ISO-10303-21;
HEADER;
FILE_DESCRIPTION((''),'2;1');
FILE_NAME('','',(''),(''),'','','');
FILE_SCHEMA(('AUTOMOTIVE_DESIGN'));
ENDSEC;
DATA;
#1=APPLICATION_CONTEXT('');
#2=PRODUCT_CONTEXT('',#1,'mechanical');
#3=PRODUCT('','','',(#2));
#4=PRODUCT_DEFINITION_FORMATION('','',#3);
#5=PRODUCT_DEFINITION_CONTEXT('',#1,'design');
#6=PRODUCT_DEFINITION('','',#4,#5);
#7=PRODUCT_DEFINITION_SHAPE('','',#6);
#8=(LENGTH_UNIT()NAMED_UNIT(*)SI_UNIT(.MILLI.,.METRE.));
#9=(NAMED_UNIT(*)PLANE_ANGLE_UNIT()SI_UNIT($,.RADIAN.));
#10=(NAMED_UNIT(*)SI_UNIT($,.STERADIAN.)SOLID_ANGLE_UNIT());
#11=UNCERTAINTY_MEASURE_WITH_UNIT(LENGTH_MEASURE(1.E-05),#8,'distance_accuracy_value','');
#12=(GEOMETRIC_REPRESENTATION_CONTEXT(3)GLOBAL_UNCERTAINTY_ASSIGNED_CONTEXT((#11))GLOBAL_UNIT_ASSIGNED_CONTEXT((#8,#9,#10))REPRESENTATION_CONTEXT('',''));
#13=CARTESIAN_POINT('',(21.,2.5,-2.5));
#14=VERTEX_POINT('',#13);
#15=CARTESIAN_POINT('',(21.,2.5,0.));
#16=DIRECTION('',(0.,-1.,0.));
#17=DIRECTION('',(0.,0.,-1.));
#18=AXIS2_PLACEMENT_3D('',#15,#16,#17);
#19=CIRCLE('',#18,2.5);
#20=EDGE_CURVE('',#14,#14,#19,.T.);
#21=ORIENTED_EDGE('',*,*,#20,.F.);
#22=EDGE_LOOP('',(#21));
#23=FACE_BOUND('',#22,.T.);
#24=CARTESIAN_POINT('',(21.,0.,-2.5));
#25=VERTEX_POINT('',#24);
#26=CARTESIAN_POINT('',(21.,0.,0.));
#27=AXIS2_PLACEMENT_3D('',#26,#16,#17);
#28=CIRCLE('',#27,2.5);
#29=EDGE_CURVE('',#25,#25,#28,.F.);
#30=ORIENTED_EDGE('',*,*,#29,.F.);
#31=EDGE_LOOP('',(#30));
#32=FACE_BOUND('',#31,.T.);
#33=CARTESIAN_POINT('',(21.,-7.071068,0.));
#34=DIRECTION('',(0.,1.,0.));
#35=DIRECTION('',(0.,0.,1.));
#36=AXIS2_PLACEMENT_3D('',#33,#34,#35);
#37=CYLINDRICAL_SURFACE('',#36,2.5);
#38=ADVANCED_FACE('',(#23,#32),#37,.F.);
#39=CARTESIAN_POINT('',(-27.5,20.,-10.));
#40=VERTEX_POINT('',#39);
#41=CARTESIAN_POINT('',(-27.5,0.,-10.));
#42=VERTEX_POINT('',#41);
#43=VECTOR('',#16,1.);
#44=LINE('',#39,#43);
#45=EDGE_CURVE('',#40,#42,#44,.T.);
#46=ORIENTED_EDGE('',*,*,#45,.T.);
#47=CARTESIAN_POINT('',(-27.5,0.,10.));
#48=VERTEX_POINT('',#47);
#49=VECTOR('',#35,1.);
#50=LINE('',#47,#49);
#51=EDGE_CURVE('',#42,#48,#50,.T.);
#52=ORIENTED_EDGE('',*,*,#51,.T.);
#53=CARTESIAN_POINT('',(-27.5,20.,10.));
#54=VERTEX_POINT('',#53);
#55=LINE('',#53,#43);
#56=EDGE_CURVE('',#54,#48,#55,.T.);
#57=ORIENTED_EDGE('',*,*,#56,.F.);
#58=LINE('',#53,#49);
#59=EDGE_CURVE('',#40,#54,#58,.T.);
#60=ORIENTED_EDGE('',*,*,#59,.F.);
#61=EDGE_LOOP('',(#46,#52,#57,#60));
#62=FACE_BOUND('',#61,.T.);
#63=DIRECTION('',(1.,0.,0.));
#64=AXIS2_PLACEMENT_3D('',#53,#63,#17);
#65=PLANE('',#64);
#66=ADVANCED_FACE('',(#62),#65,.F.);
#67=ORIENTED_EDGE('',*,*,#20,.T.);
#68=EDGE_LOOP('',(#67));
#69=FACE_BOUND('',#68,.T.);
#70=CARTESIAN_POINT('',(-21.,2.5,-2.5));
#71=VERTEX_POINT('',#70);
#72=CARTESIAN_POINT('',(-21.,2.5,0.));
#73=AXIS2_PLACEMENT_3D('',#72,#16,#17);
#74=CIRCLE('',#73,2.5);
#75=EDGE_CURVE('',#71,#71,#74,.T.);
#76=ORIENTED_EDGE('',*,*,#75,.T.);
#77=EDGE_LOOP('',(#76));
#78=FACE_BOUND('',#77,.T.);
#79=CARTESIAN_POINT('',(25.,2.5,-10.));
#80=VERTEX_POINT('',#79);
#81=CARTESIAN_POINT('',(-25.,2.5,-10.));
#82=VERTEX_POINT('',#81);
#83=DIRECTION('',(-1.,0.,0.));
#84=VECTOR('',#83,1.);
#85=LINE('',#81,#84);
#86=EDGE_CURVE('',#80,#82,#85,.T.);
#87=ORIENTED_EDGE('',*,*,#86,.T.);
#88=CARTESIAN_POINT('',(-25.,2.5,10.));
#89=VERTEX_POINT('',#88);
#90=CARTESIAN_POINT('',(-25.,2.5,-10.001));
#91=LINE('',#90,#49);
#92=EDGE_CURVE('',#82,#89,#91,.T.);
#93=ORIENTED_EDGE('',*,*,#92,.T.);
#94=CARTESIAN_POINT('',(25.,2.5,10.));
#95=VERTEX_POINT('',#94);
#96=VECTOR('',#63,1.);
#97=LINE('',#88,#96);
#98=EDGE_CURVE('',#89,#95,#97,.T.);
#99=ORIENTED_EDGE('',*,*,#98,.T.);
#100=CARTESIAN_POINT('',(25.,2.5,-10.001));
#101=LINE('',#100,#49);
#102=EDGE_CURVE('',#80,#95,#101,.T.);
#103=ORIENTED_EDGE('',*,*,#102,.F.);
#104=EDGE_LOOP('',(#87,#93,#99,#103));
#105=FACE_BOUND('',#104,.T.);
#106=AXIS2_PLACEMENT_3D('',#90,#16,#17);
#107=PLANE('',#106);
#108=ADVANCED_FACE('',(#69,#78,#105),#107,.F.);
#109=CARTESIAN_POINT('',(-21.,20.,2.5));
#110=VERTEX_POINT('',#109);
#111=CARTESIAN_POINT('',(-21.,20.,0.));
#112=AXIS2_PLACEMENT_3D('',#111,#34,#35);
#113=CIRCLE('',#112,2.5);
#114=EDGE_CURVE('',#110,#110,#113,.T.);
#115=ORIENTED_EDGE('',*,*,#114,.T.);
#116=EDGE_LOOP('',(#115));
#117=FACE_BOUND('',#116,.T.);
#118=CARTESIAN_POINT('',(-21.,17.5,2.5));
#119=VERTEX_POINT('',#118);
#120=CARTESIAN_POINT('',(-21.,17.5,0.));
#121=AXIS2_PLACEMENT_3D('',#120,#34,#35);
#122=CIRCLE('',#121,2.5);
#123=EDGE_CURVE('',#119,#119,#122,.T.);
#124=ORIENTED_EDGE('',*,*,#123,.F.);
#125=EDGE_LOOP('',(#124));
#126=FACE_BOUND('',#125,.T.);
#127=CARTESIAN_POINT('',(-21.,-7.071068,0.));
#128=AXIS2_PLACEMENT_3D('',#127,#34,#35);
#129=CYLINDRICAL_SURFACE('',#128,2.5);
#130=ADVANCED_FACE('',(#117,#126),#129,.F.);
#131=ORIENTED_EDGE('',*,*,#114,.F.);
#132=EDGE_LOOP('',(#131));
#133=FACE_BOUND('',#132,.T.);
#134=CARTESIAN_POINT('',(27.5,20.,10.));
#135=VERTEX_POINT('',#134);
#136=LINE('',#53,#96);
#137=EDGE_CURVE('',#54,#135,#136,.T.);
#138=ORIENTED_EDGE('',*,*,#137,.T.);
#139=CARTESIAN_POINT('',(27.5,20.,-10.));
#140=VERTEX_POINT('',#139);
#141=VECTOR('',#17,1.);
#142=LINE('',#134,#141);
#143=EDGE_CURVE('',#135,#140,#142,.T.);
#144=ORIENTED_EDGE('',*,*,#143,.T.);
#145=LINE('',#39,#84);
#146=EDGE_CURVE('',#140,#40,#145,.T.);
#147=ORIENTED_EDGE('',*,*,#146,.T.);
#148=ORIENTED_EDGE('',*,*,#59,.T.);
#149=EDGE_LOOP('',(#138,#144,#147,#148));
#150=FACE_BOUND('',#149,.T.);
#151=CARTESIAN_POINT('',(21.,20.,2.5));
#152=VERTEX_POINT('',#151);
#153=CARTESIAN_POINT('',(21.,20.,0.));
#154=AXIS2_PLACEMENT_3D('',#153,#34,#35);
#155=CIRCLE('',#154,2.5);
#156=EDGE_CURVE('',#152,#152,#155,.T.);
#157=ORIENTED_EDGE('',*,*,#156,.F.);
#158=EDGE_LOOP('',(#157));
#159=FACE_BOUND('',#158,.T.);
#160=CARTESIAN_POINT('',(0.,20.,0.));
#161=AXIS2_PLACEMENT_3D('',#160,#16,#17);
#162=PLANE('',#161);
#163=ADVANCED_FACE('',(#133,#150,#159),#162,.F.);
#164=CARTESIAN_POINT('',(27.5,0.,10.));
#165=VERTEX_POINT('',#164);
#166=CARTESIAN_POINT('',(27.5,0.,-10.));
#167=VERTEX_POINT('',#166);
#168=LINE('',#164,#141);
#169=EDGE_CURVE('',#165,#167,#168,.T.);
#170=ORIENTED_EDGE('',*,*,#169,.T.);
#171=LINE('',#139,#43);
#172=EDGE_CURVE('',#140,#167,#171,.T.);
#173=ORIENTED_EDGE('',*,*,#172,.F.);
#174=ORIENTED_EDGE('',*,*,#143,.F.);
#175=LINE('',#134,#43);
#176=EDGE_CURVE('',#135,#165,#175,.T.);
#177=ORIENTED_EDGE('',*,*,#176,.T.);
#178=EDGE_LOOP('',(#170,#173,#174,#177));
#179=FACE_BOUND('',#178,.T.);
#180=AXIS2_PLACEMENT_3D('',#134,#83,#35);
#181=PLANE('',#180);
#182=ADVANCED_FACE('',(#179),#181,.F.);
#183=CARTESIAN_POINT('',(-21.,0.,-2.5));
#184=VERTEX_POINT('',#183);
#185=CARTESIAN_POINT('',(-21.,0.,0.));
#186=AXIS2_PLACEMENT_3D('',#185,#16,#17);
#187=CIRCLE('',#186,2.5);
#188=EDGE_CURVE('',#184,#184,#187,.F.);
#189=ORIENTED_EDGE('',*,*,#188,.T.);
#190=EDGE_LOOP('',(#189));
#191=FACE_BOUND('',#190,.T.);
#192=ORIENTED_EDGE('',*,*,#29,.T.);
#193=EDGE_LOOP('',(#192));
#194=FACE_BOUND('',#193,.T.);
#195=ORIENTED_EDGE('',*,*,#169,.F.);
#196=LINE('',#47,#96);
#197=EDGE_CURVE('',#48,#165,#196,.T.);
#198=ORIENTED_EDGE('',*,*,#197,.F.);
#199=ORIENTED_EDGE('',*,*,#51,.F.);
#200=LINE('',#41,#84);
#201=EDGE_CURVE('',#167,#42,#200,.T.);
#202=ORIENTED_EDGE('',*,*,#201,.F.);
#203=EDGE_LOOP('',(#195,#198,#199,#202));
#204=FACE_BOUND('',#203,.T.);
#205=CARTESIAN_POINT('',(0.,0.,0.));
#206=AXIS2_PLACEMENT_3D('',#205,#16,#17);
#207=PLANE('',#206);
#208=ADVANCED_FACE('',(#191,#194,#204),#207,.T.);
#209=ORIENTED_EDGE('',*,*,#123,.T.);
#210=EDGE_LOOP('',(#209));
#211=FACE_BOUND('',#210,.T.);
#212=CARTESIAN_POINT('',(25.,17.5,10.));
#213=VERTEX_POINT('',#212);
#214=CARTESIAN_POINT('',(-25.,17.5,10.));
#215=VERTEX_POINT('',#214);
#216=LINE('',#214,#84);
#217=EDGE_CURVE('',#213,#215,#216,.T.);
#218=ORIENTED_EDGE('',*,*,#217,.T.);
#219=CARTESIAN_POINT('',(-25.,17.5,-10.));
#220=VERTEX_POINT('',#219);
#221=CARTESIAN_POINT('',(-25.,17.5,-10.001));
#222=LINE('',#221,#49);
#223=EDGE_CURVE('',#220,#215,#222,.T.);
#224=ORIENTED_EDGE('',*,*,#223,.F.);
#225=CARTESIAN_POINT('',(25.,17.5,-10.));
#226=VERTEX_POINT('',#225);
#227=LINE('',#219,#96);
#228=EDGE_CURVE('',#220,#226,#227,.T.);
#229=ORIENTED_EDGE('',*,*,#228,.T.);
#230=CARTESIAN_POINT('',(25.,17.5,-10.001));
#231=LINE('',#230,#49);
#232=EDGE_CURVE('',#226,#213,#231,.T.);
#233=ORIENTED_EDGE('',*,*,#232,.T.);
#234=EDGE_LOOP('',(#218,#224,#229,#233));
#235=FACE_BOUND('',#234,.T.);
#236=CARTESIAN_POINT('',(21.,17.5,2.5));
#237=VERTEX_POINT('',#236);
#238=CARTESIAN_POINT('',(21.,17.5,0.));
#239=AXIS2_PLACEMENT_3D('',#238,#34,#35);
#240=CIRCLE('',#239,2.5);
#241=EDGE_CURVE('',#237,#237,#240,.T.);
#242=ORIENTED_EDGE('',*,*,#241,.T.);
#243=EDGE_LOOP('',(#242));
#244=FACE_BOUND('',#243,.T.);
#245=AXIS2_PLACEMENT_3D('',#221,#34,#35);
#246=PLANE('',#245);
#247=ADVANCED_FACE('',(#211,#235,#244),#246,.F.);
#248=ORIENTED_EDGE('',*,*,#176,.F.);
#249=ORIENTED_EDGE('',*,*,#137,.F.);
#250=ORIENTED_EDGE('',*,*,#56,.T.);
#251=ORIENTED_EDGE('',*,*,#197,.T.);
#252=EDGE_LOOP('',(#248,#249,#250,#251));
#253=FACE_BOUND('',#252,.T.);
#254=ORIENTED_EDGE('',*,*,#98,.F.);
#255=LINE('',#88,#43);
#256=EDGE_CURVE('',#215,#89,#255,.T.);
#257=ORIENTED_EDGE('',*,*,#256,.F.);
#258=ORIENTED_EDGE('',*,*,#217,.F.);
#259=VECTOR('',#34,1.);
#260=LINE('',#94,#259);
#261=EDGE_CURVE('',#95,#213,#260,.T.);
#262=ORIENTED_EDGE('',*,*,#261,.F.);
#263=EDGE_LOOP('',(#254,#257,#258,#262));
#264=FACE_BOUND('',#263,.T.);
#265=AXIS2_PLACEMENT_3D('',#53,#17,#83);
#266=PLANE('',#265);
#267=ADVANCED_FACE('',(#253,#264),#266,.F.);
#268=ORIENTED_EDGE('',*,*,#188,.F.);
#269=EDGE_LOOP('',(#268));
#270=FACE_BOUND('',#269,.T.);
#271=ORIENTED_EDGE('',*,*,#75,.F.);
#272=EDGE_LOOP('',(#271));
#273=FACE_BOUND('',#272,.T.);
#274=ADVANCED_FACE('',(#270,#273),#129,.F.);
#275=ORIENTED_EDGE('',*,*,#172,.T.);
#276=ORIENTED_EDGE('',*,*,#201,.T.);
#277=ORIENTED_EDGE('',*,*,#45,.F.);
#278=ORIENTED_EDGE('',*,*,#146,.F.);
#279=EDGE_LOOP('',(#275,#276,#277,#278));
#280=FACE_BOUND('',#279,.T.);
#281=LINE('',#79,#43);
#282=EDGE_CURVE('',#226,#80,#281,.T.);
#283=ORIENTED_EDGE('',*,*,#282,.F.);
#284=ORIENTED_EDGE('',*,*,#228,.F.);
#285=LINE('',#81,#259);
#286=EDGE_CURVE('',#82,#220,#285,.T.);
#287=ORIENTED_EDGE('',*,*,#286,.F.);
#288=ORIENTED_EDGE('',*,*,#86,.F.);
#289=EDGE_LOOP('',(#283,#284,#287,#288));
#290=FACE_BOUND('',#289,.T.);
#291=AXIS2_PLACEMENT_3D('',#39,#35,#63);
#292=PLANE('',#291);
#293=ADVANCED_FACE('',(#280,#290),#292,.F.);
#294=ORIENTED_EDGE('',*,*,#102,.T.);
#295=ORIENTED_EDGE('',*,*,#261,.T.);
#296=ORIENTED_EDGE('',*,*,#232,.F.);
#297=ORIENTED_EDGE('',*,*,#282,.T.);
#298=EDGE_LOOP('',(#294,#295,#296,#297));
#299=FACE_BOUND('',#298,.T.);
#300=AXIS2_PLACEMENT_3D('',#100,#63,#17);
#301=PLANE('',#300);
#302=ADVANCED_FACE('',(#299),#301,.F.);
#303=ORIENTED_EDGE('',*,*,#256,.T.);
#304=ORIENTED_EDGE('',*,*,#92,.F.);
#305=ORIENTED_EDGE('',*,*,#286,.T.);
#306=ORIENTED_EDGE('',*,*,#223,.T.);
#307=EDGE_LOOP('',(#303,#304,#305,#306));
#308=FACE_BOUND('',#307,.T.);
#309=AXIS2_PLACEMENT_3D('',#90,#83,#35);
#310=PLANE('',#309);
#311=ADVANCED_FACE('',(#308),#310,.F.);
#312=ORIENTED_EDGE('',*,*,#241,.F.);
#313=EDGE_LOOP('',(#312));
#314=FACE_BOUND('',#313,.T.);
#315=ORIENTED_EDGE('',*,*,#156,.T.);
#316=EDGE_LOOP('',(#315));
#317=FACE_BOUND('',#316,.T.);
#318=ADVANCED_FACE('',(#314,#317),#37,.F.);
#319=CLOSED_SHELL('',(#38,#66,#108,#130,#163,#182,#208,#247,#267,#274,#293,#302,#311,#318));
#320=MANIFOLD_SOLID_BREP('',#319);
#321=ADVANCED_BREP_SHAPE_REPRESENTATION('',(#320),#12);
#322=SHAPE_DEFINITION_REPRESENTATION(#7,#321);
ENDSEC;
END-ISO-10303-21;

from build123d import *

# Parameters (mm, degrees)
SKETCH_1_W          = 55
SKETCH_1_H          = 20
EXTRUDE_1_DEPTH     = 20
CUT_EXTRUDE_1_REACH = 41.449
SKETCH_2_W          = 50
SKETCH_2_H          = 15
CUT_EXTRUDE_2_REACH = 37.444
SKETCH_3_R          = 2.5


with BuildPart() as part:
    # 草图1 → 凸台-拉伸1 (new body)
    with BuildSketch(Plane(origin=(0, 0, 0), x_dir=(1, 0, 0), z_dir=(0, 1, 0))):
        Rectangle(SKETCH_1_W, SKETCH_1_H)
    extrude(amount=EXTRUDE_1_DEPTH)

    # 草图2 → 切除-拉伸1 (cut, up to next)
    with BuildSketch(Plane.XY.offset(10), mode=Mode.PRIVATE) as cut_extrude_1_sk1:
        with Locations((0, 10)):
            Rectangle(SKETCH_2_W, SKETCH_2_H)
    cut_extrude_1_tool1 = extrude(cut_extrude_1_sk1.sketch, amount=-CUT_EXTRUDE_1_REACH, mode=Mode.PRIVATE) & part.part
    add(cut_extrude_1_tool1.solids().sort_by_distance((0, 10, 10))[0], mode=Mode.SUBTRACT)

    # 切除-拉伸2: up to this face of the body (flat: up to its plane)
    cut_extrude_2_end = Plane(part.part.faces().sort_by_distance((0, 0, 0))[0])
    # 草图3 → 切除-拉伸2 (cut, up to the picked face)
    with BuildSketch(Plane(origin=(0, 20, 0), x_dir=(1, 0, 0), z_dir=(0, 1, 0)), mode=Mode.PRIVATE) as cut_extrude_2_sk1:
        with Locations(Location((-21, 0, 0), (0, 0, 270))):
            Circle(SKETCH_3_R)
    cut_extrude_2_tool1 = split(extrude(cut_extrude_2_sk1.sketch, amount=-CUT_EXTRUDE_2_REACH, mode=Mode.PRIVATE), bisect_by=cut_extrude_2_end, keep=Keep.BOTH, mode=Mode.PRIVATE)
    # 草图3 → 切除-拉伸2 (cut, up to the picked face)
    with BuildSketch(Plane(origin=(0, 20, 0), x_dir=(1, 0, 0), z_dir=(0, 1, 0)), mode=Mode.PRIVATE) as cut_extrude_2_sk2:
        with Locations(Location((21, 0, 0), (0, 0, 270))):
            Circle(SKETCH_3_R)
    cut_extrude_2_tool2 = split(extrude(cut_extrude_2_sk2.sketch, amount=-CUT_EXTRUDE_2_REACH, mode=Mode.PRIVATE), bisect_by=cut_extrude_2_end, keep=Keep.BOTH, mode=Mode.PRIVATE)
    add(cut_extrude_2_tool1.solids().sort_by(Axis((-21, 20, 0), (0, -1, 0)))[0], mode=Mode.SUBTRACT)
    add(cut_extrude_2_tool2.solids().sort_by(Axis((21, 20, 0), (0, -1, 0)))[0], mode=Mode.SUBTRACT)


solid = part.part
